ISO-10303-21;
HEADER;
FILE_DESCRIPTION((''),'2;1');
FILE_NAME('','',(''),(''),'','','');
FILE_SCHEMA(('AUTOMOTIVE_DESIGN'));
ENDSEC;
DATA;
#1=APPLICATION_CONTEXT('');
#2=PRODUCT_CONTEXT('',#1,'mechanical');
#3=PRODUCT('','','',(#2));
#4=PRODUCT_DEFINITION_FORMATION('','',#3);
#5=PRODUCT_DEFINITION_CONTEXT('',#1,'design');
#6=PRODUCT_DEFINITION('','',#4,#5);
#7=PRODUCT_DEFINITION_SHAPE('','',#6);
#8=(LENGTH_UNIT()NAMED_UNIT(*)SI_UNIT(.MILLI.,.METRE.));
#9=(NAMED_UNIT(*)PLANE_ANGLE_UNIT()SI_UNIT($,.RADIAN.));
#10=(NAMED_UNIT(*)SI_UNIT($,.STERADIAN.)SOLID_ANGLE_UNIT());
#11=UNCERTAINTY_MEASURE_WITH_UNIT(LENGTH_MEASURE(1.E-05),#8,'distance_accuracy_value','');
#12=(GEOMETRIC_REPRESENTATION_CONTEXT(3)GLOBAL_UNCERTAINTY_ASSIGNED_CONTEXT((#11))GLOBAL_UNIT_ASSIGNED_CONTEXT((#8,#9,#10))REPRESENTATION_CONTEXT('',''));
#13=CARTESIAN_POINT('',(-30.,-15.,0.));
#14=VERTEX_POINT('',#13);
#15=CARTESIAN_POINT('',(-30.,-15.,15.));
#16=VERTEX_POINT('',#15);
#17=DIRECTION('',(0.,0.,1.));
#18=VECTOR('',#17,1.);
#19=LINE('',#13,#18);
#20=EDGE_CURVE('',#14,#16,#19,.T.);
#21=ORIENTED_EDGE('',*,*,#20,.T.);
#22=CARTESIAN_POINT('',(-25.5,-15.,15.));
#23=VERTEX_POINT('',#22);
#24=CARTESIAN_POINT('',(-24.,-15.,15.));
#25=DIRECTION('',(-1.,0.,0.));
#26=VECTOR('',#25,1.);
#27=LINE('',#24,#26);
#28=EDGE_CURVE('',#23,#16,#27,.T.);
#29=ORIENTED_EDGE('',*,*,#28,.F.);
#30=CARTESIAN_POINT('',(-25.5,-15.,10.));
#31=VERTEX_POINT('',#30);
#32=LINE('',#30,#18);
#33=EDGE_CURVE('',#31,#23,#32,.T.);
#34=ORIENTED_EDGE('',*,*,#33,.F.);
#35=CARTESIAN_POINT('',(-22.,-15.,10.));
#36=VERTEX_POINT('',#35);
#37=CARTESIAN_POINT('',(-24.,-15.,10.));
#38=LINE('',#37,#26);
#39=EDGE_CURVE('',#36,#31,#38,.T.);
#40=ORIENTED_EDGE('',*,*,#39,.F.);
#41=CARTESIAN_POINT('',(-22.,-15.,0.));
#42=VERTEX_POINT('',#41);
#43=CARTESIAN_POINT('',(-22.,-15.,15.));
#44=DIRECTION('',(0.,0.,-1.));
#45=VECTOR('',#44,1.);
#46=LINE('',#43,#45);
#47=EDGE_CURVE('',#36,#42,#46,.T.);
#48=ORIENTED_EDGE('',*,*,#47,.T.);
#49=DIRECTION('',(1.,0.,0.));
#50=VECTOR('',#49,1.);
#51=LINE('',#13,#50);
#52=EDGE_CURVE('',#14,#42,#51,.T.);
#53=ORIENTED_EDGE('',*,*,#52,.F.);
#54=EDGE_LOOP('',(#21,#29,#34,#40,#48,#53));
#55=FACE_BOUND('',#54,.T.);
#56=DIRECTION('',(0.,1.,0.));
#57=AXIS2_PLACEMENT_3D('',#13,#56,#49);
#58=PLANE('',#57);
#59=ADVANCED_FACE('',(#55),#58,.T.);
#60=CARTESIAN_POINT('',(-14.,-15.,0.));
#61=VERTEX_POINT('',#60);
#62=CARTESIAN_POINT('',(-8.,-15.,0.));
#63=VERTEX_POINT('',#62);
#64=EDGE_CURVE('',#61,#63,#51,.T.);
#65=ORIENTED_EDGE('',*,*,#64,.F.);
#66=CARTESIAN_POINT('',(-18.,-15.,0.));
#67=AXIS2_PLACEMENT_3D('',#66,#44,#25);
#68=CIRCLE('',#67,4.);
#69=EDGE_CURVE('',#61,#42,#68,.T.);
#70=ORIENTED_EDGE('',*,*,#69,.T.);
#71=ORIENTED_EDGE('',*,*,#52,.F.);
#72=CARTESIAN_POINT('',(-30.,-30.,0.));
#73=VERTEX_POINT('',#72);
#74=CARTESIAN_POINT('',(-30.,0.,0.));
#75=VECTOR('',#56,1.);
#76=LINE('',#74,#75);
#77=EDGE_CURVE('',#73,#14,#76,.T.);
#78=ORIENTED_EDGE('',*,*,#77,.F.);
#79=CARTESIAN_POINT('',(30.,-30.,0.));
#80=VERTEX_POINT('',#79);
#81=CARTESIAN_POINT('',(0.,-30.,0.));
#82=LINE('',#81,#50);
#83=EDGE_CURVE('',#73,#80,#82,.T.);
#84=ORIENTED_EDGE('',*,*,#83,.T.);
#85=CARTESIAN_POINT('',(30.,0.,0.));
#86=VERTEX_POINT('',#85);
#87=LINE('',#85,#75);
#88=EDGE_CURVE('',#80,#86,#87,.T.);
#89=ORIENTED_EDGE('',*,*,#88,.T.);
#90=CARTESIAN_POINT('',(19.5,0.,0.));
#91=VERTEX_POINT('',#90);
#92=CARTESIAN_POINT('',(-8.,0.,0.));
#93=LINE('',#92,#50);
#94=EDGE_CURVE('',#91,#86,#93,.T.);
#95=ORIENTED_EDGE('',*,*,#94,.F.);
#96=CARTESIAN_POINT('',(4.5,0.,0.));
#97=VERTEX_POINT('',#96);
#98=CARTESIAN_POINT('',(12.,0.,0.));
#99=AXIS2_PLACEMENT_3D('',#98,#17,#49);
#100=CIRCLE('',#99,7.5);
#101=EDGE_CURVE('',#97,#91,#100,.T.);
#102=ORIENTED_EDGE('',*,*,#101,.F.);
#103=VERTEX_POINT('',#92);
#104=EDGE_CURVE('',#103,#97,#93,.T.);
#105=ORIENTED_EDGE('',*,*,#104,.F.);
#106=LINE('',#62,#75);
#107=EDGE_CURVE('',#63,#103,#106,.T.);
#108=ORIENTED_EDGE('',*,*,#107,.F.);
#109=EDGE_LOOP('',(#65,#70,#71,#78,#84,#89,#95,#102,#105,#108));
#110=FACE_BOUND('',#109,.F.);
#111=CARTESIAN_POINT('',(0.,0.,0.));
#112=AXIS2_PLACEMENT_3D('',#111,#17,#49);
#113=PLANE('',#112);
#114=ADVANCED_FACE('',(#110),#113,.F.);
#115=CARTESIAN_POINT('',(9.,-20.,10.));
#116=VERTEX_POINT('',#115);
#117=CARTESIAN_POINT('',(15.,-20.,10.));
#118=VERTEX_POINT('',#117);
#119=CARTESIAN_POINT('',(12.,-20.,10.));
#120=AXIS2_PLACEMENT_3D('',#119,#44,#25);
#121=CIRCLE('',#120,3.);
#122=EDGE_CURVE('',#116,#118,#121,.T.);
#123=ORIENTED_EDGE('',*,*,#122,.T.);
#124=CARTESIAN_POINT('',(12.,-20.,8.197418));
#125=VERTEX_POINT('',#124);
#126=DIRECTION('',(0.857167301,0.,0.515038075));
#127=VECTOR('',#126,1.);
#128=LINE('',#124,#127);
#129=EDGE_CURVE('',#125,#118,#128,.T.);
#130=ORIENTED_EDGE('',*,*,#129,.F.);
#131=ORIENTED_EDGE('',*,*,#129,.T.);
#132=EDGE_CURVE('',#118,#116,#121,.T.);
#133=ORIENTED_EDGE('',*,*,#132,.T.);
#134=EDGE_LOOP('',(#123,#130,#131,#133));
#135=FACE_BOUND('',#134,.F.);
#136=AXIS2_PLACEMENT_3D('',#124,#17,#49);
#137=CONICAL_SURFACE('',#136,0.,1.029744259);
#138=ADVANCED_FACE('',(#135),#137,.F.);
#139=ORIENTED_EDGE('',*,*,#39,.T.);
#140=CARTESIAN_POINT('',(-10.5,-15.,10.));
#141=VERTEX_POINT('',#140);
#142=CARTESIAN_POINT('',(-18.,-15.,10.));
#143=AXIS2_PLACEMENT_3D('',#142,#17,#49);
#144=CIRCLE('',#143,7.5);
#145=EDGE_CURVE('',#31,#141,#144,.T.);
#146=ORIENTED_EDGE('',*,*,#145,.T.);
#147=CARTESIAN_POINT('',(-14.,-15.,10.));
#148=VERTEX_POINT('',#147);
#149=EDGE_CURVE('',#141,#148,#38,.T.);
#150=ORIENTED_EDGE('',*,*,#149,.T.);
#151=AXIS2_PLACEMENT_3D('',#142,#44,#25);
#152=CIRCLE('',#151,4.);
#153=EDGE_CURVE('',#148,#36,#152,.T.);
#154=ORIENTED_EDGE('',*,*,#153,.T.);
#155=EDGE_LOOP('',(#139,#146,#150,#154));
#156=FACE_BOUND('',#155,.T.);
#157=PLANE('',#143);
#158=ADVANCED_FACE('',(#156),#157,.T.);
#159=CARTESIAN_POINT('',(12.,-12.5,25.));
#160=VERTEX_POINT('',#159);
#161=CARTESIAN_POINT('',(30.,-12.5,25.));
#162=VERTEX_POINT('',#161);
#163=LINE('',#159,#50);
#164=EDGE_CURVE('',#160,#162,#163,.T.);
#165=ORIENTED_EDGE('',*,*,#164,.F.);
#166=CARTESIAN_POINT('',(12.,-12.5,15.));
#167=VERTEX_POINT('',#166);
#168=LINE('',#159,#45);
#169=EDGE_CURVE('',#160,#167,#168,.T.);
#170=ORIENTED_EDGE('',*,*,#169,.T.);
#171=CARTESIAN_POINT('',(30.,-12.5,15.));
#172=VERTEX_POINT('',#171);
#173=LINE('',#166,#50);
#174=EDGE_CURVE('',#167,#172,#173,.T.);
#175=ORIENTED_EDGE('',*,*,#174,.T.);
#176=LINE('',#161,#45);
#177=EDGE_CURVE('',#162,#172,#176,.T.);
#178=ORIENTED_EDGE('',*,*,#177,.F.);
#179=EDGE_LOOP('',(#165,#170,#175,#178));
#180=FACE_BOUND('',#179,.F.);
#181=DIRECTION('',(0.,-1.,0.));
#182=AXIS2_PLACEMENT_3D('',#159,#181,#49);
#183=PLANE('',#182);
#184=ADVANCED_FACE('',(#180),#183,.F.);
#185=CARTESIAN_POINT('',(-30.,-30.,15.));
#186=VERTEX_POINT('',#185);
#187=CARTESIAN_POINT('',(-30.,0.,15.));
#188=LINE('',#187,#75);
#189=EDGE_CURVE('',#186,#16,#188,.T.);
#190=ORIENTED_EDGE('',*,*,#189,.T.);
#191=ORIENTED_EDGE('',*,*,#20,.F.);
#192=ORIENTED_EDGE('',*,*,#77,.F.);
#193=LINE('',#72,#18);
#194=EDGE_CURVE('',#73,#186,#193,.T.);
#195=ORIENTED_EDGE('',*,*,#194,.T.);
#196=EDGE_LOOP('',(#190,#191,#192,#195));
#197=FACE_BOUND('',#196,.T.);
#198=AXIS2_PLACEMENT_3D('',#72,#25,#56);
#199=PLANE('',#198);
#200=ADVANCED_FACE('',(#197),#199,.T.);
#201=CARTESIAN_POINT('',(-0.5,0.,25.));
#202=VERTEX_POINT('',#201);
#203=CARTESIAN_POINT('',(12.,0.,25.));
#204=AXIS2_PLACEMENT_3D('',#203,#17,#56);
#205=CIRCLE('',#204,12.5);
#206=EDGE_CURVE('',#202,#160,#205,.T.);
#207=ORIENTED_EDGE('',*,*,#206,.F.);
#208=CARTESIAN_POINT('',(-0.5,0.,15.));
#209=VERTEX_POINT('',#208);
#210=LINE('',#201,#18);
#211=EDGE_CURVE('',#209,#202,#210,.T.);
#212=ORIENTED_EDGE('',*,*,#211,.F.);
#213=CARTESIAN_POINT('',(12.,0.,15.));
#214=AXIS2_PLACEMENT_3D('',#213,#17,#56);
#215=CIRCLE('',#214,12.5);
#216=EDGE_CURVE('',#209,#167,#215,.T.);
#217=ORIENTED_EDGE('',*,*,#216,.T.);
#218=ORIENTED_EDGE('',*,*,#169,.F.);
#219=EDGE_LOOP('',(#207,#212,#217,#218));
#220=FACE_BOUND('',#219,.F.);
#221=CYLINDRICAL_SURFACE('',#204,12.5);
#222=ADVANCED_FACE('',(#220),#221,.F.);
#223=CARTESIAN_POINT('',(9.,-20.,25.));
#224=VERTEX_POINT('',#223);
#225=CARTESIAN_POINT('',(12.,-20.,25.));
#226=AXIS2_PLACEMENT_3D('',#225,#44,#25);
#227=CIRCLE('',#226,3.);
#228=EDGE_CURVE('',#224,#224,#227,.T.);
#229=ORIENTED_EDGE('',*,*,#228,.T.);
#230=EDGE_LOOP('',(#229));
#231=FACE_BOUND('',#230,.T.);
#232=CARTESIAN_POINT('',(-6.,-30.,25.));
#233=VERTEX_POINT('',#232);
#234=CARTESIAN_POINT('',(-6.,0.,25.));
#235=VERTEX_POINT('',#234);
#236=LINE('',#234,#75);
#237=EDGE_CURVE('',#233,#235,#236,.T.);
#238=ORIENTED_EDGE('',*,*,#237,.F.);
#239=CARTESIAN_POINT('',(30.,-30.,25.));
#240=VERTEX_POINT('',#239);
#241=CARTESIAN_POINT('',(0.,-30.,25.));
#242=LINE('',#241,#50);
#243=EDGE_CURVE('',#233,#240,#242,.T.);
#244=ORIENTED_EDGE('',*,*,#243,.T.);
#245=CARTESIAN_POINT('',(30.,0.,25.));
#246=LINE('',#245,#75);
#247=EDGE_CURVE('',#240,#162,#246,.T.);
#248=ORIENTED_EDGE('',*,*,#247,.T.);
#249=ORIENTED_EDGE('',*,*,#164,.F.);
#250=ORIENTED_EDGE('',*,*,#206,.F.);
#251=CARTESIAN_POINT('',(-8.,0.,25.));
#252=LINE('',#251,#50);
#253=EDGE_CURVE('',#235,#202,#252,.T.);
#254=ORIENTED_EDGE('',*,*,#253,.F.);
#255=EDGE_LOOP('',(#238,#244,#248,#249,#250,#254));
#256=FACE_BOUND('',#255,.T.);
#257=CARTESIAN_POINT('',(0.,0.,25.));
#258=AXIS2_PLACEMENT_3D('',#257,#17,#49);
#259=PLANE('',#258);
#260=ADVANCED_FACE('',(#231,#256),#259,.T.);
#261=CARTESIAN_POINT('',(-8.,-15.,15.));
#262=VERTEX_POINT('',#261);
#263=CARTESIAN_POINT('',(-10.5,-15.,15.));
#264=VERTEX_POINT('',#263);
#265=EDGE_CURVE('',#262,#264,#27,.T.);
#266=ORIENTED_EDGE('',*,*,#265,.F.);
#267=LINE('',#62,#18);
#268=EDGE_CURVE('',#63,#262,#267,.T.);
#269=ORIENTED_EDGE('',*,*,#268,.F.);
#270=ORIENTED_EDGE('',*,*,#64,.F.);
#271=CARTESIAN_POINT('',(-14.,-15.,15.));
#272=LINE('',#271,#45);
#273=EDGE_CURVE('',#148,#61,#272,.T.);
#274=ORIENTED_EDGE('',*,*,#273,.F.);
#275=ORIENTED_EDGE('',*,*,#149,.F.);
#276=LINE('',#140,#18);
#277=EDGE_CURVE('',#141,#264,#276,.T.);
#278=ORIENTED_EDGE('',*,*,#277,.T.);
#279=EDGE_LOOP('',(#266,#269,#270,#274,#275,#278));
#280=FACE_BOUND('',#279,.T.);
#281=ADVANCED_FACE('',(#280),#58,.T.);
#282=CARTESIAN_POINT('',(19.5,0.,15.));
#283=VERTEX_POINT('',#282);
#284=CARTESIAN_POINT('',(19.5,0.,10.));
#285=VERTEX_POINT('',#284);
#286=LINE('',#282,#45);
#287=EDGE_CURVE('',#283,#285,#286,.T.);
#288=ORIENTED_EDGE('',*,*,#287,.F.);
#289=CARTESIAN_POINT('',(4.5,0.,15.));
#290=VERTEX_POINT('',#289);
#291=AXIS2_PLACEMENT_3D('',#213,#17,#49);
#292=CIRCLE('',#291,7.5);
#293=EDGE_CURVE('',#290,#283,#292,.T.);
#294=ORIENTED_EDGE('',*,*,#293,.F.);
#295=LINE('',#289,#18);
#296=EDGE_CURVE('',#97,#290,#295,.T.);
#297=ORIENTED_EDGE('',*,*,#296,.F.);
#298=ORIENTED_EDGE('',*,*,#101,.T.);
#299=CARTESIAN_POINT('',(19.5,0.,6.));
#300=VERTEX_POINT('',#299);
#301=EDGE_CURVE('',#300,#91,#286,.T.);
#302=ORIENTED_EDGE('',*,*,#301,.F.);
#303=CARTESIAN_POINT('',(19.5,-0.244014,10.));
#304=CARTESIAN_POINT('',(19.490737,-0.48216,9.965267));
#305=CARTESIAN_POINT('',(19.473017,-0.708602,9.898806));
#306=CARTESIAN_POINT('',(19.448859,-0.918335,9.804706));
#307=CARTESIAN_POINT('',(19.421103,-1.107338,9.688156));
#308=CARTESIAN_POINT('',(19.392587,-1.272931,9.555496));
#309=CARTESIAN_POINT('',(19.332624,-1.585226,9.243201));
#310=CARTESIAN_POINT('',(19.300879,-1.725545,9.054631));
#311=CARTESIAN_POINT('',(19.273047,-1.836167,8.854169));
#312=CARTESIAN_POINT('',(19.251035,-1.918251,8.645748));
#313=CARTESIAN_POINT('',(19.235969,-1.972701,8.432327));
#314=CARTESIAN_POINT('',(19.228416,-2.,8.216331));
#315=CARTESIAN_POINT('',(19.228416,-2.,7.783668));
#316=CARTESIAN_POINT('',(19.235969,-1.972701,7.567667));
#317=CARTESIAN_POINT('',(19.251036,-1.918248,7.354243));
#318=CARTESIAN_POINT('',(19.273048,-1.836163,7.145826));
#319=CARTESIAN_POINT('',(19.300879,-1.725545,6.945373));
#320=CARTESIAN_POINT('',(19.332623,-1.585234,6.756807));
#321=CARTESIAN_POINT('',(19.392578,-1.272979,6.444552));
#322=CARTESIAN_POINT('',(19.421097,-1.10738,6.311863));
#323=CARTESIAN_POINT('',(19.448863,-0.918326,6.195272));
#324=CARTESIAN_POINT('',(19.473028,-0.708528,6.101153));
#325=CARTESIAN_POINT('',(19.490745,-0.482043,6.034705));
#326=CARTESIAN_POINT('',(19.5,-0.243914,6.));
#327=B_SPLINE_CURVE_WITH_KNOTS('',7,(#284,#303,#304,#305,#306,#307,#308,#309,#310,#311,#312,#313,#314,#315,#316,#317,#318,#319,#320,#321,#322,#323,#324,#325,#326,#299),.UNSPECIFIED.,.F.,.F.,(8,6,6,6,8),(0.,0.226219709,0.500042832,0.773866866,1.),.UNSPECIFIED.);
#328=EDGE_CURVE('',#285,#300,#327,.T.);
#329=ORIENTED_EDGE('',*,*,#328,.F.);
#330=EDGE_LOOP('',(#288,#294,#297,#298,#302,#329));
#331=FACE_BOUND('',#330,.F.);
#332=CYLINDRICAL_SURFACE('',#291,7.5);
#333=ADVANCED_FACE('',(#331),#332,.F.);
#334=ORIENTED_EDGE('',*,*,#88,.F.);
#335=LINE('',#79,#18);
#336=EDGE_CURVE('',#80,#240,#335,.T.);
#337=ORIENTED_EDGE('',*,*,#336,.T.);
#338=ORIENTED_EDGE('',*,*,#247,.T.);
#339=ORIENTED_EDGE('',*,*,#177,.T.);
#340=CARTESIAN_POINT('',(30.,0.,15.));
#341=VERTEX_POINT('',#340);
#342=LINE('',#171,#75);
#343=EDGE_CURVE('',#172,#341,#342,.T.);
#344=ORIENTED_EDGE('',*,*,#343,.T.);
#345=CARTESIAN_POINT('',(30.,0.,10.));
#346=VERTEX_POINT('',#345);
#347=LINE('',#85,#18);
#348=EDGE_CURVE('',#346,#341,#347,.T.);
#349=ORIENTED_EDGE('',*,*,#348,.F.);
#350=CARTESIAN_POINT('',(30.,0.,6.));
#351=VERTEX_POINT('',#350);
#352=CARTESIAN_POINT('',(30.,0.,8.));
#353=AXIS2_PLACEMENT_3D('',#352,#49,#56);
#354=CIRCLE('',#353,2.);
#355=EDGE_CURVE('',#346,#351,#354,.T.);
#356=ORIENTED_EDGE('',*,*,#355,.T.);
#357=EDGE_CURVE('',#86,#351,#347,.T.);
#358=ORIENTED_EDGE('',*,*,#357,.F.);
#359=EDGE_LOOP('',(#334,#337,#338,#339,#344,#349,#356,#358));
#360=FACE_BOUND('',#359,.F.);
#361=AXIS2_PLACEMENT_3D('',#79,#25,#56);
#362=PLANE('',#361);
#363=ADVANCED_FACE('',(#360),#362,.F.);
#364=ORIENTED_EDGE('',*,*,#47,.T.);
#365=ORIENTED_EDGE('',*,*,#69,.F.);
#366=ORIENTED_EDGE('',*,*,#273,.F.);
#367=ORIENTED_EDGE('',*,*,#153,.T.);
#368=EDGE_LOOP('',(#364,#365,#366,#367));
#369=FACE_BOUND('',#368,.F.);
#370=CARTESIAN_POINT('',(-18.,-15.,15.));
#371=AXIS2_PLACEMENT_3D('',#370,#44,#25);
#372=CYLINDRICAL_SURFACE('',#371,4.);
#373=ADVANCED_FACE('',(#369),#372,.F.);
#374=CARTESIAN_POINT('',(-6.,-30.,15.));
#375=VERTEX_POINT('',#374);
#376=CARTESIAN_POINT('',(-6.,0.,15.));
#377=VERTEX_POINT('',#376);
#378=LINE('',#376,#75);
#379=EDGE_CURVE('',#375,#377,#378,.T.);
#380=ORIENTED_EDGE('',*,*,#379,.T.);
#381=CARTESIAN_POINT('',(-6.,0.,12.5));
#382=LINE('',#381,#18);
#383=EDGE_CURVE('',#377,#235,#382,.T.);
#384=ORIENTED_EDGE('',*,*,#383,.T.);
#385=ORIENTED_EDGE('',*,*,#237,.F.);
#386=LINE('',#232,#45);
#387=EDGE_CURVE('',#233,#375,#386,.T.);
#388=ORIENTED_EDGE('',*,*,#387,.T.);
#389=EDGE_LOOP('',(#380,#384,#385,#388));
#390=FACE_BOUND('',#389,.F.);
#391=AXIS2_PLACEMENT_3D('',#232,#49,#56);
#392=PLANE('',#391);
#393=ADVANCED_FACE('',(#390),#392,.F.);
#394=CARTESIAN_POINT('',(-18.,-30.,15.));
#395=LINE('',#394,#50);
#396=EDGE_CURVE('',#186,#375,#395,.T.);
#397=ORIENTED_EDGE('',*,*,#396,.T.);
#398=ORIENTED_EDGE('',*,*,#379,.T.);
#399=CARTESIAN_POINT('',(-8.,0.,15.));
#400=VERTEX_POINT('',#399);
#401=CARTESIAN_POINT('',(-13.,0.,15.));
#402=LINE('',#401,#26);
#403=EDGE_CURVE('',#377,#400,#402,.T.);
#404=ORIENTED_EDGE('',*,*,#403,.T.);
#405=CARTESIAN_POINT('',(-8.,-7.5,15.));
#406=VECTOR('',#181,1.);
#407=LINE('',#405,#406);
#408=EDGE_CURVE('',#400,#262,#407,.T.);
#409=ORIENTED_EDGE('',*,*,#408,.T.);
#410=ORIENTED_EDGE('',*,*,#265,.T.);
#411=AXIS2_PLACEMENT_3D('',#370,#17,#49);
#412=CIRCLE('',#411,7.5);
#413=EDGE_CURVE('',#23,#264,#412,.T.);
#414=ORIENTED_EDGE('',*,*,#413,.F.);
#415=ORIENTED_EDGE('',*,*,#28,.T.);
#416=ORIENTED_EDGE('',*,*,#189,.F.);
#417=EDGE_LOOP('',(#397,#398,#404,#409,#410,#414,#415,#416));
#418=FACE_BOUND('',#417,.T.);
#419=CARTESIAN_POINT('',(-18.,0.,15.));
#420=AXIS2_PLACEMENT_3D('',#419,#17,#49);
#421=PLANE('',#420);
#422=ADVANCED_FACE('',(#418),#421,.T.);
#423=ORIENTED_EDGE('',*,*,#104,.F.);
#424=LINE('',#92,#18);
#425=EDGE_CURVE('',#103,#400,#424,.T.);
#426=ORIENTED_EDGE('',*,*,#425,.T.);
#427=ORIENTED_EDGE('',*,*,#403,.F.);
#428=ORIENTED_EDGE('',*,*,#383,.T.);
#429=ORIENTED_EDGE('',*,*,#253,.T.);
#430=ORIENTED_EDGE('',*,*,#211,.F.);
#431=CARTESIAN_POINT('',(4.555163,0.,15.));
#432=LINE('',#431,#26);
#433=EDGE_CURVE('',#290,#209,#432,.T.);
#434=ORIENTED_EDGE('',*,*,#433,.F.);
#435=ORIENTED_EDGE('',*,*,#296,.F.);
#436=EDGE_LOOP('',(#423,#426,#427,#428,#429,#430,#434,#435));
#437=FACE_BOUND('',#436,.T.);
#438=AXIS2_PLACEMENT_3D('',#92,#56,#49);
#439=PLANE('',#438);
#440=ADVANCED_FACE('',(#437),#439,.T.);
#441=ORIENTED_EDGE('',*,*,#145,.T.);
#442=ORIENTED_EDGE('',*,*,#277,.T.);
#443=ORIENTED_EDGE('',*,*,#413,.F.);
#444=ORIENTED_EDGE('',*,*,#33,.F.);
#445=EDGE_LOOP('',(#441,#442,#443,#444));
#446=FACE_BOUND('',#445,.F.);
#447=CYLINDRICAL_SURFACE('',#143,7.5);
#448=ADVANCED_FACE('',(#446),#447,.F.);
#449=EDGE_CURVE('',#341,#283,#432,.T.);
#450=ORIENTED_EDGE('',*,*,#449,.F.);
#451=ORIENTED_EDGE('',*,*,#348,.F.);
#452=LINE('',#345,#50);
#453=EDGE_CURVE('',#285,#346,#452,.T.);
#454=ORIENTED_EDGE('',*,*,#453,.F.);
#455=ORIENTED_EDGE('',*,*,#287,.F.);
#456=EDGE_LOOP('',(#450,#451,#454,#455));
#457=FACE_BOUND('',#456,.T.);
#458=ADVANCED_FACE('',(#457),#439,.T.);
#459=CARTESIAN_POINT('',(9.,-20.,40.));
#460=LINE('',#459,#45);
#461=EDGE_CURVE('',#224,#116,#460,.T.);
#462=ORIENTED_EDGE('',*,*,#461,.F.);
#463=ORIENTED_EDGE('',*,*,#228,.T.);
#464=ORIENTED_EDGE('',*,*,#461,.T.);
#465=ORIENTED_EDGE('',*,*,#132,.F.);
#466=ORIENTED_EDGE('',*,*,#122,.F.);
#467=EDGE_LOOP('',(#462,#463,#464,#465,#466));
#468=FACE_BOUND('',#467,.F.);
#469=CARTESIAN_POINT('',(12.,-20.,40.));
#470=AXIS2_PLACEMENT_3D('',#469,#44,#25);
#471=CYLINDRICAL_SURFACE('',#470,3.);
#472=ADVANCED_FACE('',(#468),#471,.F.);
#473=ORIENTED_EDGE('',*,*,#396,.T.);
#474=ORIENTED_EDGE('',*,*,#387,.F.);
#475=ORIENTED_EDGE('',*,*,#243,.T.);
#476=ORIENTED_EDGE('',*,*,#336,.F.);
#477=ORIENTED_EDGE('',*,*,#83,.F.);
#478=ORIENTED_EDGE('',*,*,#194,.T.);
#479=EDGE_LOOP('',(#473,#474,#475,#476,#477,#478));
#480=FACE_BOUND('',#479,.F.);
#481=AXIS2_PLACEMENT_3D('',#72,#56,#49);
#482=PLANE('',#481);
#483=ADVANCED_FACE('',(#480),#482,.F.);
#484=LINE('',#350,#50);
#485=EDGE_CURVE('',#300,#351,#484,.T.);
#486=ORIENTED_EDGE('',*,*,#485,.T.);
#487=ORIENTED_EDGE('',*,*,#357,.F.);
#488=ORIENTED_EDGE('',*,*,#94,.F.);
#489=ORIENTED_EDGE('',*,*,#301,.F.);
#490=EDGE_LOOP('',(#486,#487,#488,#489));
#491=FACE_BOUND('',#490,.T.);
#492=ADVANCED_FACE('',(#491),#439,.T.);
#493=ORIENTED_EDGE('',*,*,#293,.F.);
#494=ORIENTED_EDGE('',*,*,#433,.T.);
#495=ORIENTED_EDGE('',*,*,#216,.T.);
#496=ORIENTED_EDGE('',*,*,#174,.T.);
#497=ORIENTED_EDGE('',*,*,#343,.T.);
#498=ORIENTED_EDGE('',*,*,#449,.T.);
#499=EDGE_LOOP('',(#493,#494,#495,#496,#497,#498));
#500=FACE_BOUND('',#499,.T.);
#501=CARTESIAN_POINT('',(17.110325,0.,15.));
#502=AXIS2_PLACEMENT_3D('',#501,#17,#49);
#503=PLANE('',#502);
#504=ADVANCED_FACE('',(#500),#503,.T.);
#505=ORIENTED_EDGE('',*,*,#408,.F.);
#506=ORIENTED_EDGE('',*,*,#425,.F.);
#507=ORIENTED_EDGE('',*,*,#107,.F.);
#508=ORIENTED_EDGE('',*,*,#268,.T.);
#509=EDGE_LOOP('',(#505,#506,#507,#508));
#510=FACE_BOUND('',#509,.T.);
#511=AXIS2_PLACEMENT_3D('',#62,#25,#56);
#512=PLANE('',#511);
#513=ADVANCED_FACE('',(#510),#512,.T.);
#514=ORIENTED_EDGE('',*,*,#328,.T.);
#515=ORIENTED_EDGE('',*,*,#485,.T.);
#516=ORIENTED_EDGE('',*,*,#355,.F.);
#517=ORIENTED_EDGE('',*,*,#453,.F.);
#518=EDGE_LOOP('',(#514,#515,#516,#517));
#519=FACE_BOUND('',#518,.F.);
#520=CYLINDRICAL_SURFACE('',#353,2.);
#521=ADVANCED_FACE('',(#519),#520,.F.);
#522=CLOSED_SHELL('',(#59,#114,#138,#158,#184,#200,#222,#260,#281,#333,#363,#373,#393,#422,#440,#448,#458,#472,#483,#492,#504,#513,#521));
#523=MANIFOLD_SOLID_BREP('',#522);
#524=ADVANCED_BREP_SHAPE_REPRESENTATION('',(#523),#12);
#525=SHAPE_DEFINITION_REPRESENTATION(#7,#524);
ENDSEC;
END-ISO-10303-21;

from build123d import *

# Parameters (mm, degrees)
F0_W           = 60
F0_H           = 60
F1_DEPTH       = 25
F2_W           = 24
F2_H           = 60
F3_DEPTH       = 10
F5_D           = 8
F5_CBORE_D     = 15
F5_CBORE_DEPTH = 5
F6_R           = 7.5
F7_DEPTH       = 15
F9_D           = 6
F9_DEPTH       = 15
F9_TIP         = 1.8025818571
F10_R          = 2
F11_DEPTH      = 10.7725839526
F14_DEPTH      = 25


with BuildPart() as f1:
    # F0 (on Top) → F1 (new body)
    with BuildSketch(Plane.XY):
        Rectangle(F0_W, F0_H)
    extrude(amount=F1_DEPTH)

    # F2 (on face) → F3 (cut)
    with BuildSketch(Plane.XY.offset(25)):
        with Locations((-18, 0)):
            Rectangle(F2_W, F2_H)
        with BuildLine():
            Line((30, -12.5), (30, 12.5))
            Line((30, 12.5), (12, 12.5))
            ThreePointArc((12, 12.5), (-0.5, 0), (12, -12.5))
            Line((12, -12.5), (30, -12.5))
        make_face()
    extrude(amount=-F3_DEPTH, mode=Mode.SUBTRACT)

    # F5 (through all)
    with Locations(Plane.XY.offset(15)):
        with Locations((-18, 15), (-18, -15)):
            CounterBoreHole(F5_D / 2, F5_CBORE_D / 2, F5_CBORE_DEPTH)

    # F6 (on face) → F7 (cut, through all)
    with BuildSketch(Plane.XY.offset(15)):
        with Locations((12, 0)):
            Circle(F6_R)
    extrude(amount=-F7_DEPTH, mode=Mode.SUBTRACT)

    # F9
    with Locations(Plane.XY.offset(25)):
        with Locations((12, 20), (12, -20)):
            Hole(F9_D / 2, depth=F9_DEPTH)
            with Locations((0, 0, -(F9_DEPTH + F9_TIP / 2))):  # 118° drill point
                Cone(0, F9_D / 2, F9_TIP, mode=Mode.SUBTRACT)

    # F10 (on face) → F11 (cut, through all)
    with BuildSketch(Plane.YZ.offset(30)):
        with Locations((0, 8)):
            Circle(F10_R)
    extrude(amount=-F11_DEPTH, mode=Mode.SUBTRACT)

    # F13 (on Top) → F14 (cut, through all)
    with BuildSketch(Plane.XY):
        Polygon((-8, 0), (30, 0), (30, 30), (-30, 30), (-30, -15), (-8, -15), align=None)
    extrude(amount=F14_DEPTH, mode=Mode.SUBTRACT)


solid = f1.part
